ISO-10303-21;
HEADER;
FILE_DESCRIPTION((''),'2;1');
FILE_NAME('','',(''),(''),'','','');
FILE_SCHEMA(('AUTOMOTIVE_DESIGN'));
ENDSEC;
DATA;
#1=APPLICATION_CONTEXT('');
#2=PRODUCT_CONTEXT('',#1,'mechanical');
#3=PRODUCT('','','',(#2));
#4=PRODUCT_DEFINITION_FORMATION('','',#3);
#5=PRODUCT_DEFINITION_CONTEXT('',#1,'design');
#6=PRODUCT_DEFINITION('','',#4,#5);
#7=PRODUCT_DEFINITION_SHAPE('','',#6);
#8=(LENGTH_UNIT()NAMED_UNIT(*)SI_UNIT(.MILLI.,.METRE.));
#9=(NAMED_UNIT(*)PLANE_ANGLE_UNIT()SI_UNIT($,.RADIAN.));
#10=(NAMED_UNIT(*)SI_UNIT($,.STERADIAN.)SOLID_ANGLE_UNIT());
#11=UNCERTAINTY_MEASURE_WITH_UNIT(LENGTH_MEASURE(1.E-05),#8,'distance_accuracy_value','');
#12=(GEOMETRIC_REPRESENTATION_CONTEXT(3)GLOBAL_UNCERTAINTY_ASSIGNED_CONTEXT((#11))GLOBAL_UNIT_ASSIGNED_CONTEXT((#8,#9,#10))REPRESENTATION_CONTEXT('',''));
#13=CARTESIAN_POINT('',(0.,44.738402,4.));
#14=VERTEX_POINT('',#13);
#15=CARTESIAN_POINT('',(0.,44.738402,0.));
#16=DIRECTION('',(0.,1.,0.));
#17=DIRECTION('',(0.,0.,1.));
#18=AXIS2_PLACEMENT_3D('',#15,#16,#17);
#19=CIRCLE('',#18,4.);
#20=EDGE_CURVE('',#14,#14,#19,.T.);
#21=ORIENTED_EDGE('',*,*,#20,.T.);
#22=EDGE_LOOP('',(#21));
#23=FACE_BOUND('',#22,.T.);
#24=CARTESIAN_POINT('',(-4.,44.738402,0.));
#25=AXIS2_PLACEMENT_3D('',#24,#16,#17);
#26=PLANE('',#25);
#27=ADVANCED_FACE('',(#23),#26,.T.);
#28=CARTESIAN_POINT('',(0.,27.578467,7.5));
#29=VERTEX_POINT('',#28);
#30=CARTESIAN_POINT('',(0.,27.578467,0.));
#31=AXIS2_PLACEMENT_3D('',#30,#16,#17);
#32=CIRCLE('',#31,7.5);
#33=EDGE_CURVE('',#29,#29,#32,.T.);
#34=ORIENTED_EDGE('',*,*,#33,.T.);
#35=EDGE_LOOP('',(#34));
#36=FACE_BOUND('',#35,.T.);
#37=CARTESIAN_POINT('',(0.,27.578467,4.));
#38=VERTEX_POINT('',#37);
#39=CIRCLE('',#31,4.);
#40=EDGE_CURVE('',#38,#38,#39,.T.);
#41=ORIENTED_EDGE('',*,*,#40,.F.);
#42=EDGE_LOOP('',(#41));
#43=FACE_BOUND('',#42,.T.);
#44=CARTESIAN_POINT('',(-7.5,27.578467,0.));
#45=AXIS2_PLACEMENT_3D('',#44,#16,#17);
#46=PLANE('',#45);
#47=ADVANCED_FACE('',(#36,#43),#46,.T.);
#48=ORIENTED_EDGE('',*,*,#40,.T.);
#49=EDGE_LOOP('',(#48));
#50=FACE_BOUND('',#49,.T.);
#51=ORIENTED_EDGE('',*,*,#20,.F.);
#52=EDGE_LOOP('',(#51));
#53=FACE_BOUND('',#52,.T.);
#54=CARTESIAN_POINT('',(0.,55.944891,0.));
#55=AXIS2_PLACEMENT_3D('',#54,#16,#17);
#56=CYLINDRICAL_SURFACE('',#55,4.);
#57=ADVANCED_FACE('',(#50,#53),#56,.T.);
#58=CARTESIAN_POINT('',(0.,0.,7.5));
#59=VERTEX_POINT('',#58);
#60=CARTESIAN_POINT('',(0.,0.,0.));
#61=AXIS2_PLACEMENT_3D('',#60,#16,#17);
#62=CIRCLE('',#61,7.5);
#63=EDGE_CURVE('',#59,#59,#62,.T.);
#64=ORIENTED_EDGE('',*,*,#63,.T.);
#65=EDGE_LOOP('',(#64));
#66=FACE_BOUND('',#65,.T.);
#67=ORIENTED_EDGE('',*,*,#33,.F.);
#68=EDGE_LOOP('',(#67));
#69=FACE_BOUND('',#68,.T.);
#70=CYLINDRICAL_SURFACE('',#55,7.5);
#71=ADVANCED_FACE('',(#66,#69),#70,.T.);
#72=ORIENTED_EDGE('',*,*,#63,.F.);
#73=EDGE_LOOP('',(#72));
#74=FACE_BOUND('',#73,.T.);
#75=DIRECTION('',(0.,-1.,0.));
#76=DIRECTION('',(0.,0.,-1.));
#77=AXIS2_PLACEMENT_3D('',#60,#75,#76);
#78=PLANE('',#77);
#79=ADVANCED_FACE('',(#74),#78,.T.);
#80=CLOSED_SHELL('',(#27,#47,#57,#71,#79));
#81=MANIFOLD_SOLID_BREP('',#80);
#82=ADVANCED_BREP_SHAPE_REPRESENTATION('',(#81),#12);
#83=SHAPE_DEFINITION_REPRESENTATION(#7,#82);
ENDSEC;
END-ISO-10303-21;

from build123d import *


with BuildPart() as part:
    # Эскиз1 → Повернуть1 (revolve)
    with BuildSketch(Plane.XY):
        Polygon((0, 0), (-7.5, 0), (-7.5, 27.578467153), (-4, 27.578467153), (-4, 44.738402271), (0, 44.738402271), align=None)
    revolve(axis=Axis((0, 55.944890511, 0), (0, -1, 0)))


solid = part.part
